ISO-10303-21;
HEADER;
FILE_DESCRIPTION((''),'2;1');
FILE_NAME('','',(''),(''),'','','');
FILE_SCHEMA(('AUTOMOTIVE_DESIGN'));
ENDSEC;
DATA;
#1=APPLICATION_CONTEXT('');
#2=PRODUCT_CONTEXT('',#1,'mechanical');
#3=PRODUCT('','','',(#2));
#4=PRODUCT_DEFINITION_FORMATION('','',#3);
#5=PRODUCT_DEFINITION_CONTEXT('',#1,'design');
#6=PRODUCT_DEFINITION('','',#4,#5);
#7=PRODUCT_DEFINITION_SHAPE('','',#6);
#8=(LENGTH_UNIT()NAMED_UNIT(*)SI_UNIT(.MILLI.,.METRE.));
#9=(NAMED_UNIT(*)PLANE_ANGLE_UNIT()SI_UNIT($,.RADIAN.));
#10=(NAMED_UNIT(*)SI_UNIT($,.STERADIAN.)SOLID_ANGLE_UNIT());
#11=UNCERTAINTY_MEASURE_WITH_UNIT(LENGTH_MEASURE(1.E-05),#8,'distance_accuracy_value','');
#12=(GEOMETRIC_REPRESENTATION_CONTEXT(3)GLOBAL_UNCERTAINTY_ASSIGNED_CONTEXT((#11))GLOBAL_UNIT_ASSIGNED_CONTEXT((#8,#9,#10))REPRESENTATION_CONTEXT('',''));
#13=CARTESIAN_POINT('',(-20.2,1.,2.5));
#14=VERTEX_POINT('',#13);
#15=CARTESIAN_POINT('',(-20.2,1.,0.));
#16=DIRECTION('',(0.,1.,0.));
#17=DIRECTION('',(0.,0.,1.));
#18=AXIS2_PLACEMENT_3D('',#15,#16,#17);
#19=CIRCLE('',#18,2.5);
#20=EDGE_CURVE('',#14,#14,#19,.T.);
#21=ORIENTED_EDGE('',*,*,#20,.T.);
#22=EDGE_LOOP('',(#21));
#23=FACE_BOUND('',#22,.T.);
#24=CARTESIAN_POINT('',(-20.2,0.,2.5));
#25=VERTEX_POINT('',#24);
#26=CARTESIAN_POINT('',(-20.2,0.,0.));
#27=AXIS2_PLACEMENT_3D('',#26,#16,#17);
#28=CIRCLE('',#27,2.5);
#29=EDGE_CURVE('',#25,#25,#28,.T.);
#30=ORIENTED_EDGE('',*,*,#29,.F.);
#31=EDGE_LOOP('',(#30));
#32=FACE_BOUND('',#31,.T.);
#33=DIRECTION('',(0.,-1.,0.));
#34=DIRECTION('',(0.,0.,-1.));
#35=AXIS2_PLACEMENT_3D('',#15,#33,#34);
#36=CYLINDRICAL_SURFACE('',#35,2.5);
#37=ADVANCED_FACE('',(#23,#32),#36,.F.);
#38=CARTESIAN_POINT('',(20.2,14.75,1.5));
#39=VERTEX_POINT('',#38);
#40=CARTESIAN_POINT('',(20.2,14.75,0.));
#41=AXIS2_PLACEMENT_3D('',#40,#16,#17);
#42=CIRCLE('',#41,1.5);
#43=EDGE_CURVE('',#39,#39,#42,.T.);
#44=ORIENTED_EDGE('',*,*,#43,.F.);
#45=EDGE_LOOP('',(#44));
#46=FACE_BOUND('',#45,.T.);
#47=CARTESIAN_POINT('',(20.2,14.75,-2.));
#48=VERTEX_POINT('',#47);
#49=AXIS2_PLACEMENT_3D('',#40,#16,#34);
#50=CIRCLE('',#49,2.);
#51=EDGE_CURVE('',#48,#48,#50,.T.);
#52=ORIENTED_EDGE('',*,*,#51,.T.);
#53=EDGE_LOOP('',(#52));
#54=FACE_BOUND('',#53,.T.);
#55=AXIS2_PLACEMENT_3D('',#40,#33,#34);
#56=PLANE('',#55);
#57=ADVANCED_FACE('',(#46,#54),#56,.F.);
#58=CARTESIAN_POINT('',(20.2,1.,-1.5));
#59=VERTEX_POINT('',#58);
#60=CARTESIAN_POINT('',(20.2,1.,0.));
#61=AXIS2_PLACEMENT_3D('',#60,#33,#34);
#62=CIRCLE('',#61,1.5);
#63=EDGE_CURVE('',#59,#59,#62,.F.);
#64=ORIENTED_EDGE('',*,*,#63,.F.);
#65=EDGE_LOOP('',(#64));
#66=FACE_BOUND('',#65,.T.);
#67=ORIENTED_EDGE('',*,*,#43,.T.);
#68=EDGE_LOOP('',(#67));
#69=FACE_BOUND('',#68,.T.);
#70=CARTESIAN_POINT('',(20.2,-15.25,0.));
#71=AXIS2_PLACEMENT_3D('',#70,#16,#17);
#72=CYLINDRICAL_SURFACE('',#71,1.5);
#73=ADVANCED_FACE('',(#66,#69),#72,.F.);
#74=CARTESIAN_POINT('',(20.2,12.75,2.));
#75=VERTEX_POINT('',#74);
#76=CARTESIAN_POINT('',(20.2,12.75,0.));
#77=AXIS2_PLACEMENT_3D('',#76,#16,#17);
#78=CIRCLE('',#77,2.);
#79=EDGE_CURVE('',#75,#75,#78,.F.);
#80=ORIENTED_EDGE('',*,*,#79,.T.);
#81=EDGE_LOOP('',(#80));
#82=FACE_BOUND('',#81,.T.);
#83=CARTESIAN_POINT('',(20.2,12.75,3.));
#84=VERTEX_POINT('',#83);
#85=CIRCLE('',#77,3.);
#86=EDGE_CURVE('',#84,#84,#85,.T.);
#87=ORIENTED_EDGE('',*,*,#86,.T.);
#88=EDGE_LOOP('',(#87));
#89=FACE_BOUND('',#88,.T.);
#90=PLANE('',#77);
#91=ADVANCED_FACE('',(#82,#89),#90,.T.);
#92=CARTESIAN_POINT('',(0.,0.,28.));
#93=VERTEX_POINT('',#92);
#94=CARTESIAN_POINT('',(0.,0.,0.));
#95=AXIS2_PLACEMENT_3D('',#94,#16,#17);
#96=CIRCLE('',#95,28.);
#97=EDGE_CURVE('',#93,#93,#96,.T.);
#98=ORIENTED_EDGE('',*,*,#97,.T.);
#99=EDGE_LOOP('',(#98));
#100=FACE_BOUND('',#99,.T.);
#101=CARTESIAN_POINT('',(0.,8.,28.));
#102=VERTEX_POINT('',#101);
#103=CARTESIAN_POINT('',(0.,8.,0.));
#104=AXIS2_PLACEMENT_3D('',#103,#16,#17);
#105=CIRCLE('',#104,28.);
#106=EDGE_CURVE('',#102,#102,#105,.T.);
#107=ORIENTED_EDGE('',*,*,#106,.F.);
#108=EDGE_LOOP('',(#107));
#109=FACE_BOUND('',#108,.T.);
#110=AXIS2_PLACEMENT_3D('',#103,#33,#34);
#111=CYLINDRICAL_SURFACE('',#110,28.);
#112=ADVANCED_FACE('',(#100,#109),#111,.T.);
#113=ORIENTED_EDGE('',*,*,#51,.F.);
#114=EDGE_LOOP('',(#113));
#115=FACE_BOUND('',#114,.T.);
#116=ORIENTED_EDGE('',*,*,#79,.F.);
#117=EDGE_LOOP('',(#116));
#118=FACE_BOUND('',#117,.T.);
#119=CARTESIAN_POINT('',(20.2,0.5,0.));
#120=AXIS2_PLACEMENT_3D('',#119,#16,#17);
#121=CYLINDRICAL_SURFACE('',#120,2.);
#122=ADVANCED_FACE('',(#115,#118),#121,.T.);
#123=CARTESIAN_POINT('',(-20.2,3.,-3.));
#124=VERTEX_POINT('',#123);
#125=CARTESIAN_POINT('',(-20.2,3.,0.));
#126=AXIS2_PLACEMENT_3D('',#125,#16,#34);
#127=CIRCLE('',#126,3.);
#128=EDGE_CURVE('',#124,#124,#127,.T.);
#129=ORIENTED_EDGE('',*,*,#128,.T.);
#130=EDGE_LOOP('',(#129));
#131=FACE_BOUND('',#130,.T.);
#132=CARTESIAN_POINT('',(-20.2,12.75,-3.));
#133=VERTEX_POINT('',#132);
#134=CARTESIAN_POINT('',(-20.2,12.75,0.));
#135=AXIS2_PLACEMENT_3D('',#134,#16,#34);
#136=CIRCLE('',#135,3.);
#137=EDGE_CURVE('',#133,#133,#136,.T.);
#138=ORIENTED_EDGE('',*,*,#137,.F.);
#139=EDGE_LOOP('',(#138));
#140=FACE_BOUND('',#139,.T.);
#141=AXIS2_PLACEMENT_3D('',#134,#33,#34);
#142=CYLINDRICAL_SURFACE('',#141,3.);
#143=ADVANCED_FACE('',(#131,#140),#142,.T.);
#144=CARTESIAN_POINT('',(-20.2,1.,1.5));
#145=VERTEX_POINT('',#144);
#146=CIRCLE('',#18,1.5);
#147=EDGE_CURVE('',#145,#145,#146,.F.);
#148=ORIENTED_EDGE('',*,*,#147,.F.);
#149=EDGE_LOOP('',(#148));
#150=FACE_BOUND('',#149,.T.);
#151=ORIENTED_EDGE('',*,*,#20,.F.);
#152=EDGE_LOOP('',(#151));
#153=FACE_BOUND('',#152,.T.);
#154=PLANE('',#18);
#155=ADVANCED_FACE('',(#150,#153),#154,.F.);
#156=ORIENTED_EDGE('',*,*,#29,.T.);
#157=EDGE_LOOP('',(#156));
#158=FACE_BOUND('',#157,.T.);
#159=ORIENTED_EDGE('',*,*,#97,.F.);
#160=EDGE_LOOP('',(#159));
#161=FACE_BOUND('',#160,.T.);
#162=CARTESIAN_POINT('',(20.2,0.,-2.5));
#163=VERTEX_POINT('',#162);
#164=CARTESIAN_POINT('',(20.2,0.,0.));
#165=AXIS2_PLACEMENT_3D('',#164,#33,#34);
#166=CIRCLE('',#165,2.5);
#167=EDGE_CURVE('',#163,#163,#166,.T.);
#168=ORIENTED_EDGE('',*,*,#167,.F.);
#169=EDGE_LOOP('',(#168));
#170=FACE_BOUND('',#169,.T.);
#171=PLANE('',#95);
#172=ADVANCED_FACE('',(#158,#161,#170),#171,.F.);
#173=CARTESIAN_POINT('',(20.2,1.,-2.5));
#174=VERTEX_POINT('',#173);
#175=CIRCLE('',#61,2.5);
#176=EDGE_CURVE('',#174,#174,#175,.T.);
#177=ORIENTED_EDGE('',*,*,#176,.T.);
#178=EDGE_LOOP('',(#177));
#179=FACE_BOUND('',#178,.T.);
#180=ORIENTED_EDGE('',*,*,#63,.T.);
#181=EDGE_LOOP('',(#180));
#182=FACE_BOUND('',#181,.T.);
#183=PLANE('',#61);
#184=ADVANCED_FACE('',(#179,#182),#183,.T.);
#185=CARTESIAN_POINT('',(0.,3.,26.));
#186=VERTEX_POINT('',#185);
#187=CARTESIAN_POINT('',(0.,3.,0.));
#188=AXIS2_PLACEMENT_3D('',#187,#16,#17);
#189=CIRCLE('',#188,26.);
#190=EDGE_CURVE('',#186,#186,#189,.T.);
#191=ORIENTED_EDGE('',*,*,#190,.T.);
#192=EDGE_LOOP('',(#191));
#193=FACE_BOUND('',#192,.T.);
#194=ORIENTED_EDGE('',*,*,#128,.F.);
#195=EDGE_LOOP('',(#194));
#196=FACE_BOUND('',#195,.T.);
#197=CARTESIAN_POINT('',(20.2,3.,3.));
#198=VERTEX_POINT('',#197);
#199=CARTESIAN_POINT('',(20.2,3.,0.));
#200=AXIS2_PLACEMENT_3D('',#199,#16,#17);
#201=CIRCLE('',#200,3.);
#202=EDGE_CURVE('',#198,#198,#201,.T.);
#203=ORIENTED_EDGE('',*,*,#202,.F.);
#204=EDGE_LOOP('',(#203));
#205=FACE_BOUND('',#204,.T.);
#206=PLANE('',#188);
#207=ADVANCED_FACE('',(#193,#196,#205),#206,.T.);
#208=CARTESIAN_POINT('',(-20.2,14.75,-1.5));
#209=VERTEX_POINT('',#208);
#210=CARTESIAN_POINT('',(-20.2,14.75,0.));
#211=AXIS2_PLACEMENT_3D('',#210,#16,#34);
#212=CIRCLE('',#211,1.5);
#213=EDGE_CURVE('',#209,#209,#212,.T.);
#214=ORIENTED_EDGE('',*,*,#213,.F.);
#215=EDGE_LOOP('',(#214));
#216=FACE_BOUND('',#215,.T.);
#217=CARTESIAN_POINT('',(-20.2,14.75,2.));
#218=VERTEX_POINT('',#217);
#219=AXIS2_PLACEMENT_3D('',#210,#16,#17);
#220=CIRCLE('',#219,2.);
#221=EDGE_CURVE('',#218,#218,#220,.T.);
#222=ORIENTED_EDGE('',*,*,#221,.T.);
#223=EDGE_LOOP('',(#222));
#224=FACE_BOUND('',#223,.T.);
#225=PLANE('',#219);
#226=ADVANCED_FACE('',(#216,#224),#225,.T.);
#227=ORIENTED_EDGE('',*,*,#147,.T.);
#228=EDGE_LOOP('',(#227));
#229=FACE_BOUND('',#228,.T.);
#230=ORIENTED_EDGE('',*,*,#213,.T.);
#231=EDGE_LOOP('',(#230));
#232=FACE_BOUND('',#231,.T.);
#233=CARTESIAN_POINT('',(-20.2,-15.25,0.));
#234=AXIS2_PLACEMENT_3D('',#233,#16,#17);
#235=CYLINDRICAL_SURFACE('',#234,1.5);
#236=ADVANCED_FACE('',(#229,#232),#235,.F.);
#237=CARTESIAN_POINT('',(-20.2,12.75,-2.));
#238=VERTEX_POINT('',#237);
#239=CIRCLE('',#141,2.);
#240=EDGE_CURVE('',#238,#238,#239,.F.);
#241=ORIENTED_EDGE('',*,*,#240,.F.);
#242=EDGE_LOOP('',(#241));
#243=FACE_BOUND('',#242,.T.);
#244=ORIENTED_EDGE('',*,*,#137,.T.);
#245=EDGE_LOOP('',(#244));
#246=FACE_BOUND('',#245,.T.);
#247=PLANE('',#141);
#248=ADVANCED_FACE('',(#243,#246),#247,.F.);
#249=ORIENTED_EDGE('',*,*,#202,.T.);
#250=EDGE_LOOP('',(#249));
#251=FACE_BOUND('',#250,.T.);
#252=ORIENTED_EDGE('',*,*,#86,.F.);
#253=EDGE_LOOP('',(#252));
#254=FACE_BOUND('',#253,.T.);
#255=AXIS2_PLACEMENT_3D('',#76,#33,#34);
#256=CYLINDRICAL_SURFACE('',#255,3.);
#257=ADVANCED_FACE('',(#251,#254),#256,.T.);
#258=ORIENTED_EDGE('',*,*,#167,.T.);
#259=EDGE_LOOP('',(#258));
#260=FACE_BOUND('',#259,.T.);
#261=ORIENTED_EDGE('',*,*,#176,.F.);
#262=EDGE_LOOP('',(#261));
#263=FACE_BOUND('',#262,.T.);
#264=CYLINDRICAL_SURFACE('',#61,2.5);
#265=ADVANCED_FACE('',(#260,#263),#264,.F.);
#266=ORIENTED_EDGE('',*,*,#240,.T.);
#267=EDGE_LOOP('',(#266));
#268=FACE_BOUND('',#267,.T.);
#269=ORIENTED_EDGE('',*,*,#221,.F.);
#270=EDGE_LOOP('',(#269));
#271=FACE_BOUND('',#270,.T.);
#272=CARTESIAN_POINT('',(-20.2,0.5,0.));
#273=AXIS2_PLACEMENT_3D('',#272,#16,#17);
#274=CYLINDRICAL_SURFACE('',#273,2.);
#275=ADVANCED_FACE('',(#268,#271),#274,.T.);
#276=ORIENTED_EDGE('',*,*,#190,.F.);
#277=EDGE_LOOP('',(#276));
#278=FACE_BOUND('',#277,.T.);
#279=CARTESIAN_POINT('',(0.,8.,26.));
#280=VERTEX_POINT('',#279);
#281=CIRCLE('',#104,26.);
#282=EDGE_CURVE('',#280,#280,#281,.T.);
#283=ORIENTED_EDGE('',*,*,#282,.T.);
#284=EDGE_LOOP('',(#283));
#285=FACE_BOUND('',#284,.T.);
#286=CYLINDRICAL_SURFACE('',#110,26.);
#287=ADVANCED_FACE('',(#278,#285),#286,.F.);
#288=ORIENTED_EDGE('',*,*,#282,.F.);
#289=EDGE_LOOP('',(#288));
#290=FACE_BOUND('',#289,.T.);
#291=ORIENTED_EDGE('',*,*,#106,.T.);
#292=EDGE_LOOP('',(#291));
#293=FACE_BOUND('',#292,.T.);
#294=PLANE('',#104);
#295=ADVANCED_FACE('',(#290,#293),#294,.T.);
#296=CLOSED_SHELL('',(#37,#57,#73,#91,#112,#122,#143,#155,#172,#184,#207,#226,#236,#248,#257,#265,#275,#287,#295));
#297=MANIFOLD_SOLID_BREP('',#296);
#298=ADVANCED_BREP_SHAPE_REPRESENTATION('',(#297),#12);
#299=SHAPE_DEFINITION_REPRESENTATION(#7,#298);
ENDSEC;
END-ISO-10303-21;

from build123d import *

# Parameters (mm, degrees)
SKETCH1_R                  = 28
SKETCH1_R_2                = 26
BOSS_EXTRUDE1_DEPTH        = 8
SKETCH3_R                  = 24
BOSS_EXTRUDE2_DEPTH        = 3
SKETCH5_R                  = 2
BOSS_EXTRUDE3_DEPTH        = 11.75
BOSS_EXTRUDE3_DEPTH_BACK   = 2.5
BOSS_EXTRUDE3_2_DEPTH      = 11.75
BOSS_EXTRUDE3_2_DEPTH_BACK = 2.5
SKETCH10_R                 = 28
BOSS_EXTRUDE4_DEPTH        = 3
SKETCH16_R                 = 3
BOSS_EXTRUDE5_DEPTH        = 9.75
SKETCH20_R                 = 1.5
CUT_EXTRUDE2_DEPTH         = 30
SKETCH21_R                 = 2.5
CUT_EXTRUDE3_DEPTH         = 1


with BuildPart() as part:
    # Sketch1 → Boss-Extrude1 (new body)
    with BuildSketch(Plane(origin=(0, 0, 0), x_dir=(1, 0, 0), z_dir=(0, 1, 0))):
        Circle(SKETCH1_R)
        Circle(SKETCH1_R_2, mode=Mode.SUBTRACT)
    extrude(amount=BOSS_EXTRUDE1_DEPTH)



with BuildPart() as body_2:
    # Sketch3 → Boss-Extrude2 (new body)
    with BuildSketch(Plane(origin=(0, 0, 0), x_dir=(1, 0, 0), z_dir=(0, 1, 0))):
        Circle(SKETCH3_R)
    extrude(amount=BOSS_EXTRUDE2_DEPTH)


with BuildPart() as body_3:
    # Sketch5 → Boss-Extrude3 (new body, two sides)
    with BuildSketch(Plane(origin=(0, 3, 0), x_dir=(1, 0, 0), z_dir=(0, 1, 0))) as boss_extrude3_sk:
        with Locations((-20.2, 0)):
            Circle(SKETCH5_R)
    extrude(amount=BOSS_EXTRUDE3_DEPTH)
    extrude(boss_extrude3_sk.sketch, amount=-BOSS_EXTRUDE3_DEPTH_BACK)


with BuildPart() as body_4:
    # Sketch5 → Boss-Extrude3 2 (new body, two sides)
    with BuildSketch(Plane(origin=(0, 3, 0), x_dir=(1, 0, 0), z_dir=(0, 1, 0))) as boss_extrude3_2_sk:
        with Locations((20.2, 0)):
            Circle(SKETCH5_R)
    extrude(amount=BOSS_EXTRUDE3_2_DEPTH)
    extrude(boss_extrude3_2_sk.sketch, amount=-BOSS_EXTRUDE3_2_DEPTH_BACK)


with BuildPart() as part_1:
    add(part.part)

    add(body_2.part)  # Boss-Extrude4 merges body 2

    add(body_3.part)  # Boss-Extrude4 merges body 3

    add(body_4.part)  # Boss-Extrude4 merges body 4
    # Sketch10 → Boss-Extrude4 (add)
    with BuildSketch(Plane(origin=(0, 0, 0), x_dir=(-1, 0, 0), z_dir=(0, -1, 0))):
        Circle(SKETCH10_R)
    extrude(amount=-BOSS_EXTRUDE4_DEPTH)

    # Sketch16 → Boss-Extrude5 (add)
    with BuildSketch(Plane(origin=(0, 3, 0), x_dir=(1, 0, 0), z_dir=(0, 1, 0))):
        with Locations((20.2, 0)):
            Circle(SKETCH16_R)
        with Locations((-20.2, 0)):
            Circle(SKETCH16_R)
    extrude(amount=BOSS_EXTRUDE5_DEPTH)

    # Sketch20 → Cut-Extrude2 (cut)
    with BuildSketch(Plane(origin=(0, 14.75, 0), x_dir=(1, 0, 0), z_dir=(0, 1, 0))):
        with Locations((20.2, 0)):
            Circle(SKETCH20_R)
        with Locations((-20.2, 0)):
            Circle(SKETCH20_R)
    extrude(amount=-CUT_EXTRUDE2_DEPTH, mode=Mode.SUBTRACT)

    # Sketch21 → Cut-Extrude3 (cut)
    with BuildSketch(Plane.XZ):
        with Locations((20.2, 0)):
            Circle(SKETCH21_R)
        with Locations((-20.2, 0)):
            Circle(SKETCH21_R)
    extrude(amount=-CUT_EXTRUDE3_DEPTH, mode=Mode.SUBTRACT)


solid = part_1.part
